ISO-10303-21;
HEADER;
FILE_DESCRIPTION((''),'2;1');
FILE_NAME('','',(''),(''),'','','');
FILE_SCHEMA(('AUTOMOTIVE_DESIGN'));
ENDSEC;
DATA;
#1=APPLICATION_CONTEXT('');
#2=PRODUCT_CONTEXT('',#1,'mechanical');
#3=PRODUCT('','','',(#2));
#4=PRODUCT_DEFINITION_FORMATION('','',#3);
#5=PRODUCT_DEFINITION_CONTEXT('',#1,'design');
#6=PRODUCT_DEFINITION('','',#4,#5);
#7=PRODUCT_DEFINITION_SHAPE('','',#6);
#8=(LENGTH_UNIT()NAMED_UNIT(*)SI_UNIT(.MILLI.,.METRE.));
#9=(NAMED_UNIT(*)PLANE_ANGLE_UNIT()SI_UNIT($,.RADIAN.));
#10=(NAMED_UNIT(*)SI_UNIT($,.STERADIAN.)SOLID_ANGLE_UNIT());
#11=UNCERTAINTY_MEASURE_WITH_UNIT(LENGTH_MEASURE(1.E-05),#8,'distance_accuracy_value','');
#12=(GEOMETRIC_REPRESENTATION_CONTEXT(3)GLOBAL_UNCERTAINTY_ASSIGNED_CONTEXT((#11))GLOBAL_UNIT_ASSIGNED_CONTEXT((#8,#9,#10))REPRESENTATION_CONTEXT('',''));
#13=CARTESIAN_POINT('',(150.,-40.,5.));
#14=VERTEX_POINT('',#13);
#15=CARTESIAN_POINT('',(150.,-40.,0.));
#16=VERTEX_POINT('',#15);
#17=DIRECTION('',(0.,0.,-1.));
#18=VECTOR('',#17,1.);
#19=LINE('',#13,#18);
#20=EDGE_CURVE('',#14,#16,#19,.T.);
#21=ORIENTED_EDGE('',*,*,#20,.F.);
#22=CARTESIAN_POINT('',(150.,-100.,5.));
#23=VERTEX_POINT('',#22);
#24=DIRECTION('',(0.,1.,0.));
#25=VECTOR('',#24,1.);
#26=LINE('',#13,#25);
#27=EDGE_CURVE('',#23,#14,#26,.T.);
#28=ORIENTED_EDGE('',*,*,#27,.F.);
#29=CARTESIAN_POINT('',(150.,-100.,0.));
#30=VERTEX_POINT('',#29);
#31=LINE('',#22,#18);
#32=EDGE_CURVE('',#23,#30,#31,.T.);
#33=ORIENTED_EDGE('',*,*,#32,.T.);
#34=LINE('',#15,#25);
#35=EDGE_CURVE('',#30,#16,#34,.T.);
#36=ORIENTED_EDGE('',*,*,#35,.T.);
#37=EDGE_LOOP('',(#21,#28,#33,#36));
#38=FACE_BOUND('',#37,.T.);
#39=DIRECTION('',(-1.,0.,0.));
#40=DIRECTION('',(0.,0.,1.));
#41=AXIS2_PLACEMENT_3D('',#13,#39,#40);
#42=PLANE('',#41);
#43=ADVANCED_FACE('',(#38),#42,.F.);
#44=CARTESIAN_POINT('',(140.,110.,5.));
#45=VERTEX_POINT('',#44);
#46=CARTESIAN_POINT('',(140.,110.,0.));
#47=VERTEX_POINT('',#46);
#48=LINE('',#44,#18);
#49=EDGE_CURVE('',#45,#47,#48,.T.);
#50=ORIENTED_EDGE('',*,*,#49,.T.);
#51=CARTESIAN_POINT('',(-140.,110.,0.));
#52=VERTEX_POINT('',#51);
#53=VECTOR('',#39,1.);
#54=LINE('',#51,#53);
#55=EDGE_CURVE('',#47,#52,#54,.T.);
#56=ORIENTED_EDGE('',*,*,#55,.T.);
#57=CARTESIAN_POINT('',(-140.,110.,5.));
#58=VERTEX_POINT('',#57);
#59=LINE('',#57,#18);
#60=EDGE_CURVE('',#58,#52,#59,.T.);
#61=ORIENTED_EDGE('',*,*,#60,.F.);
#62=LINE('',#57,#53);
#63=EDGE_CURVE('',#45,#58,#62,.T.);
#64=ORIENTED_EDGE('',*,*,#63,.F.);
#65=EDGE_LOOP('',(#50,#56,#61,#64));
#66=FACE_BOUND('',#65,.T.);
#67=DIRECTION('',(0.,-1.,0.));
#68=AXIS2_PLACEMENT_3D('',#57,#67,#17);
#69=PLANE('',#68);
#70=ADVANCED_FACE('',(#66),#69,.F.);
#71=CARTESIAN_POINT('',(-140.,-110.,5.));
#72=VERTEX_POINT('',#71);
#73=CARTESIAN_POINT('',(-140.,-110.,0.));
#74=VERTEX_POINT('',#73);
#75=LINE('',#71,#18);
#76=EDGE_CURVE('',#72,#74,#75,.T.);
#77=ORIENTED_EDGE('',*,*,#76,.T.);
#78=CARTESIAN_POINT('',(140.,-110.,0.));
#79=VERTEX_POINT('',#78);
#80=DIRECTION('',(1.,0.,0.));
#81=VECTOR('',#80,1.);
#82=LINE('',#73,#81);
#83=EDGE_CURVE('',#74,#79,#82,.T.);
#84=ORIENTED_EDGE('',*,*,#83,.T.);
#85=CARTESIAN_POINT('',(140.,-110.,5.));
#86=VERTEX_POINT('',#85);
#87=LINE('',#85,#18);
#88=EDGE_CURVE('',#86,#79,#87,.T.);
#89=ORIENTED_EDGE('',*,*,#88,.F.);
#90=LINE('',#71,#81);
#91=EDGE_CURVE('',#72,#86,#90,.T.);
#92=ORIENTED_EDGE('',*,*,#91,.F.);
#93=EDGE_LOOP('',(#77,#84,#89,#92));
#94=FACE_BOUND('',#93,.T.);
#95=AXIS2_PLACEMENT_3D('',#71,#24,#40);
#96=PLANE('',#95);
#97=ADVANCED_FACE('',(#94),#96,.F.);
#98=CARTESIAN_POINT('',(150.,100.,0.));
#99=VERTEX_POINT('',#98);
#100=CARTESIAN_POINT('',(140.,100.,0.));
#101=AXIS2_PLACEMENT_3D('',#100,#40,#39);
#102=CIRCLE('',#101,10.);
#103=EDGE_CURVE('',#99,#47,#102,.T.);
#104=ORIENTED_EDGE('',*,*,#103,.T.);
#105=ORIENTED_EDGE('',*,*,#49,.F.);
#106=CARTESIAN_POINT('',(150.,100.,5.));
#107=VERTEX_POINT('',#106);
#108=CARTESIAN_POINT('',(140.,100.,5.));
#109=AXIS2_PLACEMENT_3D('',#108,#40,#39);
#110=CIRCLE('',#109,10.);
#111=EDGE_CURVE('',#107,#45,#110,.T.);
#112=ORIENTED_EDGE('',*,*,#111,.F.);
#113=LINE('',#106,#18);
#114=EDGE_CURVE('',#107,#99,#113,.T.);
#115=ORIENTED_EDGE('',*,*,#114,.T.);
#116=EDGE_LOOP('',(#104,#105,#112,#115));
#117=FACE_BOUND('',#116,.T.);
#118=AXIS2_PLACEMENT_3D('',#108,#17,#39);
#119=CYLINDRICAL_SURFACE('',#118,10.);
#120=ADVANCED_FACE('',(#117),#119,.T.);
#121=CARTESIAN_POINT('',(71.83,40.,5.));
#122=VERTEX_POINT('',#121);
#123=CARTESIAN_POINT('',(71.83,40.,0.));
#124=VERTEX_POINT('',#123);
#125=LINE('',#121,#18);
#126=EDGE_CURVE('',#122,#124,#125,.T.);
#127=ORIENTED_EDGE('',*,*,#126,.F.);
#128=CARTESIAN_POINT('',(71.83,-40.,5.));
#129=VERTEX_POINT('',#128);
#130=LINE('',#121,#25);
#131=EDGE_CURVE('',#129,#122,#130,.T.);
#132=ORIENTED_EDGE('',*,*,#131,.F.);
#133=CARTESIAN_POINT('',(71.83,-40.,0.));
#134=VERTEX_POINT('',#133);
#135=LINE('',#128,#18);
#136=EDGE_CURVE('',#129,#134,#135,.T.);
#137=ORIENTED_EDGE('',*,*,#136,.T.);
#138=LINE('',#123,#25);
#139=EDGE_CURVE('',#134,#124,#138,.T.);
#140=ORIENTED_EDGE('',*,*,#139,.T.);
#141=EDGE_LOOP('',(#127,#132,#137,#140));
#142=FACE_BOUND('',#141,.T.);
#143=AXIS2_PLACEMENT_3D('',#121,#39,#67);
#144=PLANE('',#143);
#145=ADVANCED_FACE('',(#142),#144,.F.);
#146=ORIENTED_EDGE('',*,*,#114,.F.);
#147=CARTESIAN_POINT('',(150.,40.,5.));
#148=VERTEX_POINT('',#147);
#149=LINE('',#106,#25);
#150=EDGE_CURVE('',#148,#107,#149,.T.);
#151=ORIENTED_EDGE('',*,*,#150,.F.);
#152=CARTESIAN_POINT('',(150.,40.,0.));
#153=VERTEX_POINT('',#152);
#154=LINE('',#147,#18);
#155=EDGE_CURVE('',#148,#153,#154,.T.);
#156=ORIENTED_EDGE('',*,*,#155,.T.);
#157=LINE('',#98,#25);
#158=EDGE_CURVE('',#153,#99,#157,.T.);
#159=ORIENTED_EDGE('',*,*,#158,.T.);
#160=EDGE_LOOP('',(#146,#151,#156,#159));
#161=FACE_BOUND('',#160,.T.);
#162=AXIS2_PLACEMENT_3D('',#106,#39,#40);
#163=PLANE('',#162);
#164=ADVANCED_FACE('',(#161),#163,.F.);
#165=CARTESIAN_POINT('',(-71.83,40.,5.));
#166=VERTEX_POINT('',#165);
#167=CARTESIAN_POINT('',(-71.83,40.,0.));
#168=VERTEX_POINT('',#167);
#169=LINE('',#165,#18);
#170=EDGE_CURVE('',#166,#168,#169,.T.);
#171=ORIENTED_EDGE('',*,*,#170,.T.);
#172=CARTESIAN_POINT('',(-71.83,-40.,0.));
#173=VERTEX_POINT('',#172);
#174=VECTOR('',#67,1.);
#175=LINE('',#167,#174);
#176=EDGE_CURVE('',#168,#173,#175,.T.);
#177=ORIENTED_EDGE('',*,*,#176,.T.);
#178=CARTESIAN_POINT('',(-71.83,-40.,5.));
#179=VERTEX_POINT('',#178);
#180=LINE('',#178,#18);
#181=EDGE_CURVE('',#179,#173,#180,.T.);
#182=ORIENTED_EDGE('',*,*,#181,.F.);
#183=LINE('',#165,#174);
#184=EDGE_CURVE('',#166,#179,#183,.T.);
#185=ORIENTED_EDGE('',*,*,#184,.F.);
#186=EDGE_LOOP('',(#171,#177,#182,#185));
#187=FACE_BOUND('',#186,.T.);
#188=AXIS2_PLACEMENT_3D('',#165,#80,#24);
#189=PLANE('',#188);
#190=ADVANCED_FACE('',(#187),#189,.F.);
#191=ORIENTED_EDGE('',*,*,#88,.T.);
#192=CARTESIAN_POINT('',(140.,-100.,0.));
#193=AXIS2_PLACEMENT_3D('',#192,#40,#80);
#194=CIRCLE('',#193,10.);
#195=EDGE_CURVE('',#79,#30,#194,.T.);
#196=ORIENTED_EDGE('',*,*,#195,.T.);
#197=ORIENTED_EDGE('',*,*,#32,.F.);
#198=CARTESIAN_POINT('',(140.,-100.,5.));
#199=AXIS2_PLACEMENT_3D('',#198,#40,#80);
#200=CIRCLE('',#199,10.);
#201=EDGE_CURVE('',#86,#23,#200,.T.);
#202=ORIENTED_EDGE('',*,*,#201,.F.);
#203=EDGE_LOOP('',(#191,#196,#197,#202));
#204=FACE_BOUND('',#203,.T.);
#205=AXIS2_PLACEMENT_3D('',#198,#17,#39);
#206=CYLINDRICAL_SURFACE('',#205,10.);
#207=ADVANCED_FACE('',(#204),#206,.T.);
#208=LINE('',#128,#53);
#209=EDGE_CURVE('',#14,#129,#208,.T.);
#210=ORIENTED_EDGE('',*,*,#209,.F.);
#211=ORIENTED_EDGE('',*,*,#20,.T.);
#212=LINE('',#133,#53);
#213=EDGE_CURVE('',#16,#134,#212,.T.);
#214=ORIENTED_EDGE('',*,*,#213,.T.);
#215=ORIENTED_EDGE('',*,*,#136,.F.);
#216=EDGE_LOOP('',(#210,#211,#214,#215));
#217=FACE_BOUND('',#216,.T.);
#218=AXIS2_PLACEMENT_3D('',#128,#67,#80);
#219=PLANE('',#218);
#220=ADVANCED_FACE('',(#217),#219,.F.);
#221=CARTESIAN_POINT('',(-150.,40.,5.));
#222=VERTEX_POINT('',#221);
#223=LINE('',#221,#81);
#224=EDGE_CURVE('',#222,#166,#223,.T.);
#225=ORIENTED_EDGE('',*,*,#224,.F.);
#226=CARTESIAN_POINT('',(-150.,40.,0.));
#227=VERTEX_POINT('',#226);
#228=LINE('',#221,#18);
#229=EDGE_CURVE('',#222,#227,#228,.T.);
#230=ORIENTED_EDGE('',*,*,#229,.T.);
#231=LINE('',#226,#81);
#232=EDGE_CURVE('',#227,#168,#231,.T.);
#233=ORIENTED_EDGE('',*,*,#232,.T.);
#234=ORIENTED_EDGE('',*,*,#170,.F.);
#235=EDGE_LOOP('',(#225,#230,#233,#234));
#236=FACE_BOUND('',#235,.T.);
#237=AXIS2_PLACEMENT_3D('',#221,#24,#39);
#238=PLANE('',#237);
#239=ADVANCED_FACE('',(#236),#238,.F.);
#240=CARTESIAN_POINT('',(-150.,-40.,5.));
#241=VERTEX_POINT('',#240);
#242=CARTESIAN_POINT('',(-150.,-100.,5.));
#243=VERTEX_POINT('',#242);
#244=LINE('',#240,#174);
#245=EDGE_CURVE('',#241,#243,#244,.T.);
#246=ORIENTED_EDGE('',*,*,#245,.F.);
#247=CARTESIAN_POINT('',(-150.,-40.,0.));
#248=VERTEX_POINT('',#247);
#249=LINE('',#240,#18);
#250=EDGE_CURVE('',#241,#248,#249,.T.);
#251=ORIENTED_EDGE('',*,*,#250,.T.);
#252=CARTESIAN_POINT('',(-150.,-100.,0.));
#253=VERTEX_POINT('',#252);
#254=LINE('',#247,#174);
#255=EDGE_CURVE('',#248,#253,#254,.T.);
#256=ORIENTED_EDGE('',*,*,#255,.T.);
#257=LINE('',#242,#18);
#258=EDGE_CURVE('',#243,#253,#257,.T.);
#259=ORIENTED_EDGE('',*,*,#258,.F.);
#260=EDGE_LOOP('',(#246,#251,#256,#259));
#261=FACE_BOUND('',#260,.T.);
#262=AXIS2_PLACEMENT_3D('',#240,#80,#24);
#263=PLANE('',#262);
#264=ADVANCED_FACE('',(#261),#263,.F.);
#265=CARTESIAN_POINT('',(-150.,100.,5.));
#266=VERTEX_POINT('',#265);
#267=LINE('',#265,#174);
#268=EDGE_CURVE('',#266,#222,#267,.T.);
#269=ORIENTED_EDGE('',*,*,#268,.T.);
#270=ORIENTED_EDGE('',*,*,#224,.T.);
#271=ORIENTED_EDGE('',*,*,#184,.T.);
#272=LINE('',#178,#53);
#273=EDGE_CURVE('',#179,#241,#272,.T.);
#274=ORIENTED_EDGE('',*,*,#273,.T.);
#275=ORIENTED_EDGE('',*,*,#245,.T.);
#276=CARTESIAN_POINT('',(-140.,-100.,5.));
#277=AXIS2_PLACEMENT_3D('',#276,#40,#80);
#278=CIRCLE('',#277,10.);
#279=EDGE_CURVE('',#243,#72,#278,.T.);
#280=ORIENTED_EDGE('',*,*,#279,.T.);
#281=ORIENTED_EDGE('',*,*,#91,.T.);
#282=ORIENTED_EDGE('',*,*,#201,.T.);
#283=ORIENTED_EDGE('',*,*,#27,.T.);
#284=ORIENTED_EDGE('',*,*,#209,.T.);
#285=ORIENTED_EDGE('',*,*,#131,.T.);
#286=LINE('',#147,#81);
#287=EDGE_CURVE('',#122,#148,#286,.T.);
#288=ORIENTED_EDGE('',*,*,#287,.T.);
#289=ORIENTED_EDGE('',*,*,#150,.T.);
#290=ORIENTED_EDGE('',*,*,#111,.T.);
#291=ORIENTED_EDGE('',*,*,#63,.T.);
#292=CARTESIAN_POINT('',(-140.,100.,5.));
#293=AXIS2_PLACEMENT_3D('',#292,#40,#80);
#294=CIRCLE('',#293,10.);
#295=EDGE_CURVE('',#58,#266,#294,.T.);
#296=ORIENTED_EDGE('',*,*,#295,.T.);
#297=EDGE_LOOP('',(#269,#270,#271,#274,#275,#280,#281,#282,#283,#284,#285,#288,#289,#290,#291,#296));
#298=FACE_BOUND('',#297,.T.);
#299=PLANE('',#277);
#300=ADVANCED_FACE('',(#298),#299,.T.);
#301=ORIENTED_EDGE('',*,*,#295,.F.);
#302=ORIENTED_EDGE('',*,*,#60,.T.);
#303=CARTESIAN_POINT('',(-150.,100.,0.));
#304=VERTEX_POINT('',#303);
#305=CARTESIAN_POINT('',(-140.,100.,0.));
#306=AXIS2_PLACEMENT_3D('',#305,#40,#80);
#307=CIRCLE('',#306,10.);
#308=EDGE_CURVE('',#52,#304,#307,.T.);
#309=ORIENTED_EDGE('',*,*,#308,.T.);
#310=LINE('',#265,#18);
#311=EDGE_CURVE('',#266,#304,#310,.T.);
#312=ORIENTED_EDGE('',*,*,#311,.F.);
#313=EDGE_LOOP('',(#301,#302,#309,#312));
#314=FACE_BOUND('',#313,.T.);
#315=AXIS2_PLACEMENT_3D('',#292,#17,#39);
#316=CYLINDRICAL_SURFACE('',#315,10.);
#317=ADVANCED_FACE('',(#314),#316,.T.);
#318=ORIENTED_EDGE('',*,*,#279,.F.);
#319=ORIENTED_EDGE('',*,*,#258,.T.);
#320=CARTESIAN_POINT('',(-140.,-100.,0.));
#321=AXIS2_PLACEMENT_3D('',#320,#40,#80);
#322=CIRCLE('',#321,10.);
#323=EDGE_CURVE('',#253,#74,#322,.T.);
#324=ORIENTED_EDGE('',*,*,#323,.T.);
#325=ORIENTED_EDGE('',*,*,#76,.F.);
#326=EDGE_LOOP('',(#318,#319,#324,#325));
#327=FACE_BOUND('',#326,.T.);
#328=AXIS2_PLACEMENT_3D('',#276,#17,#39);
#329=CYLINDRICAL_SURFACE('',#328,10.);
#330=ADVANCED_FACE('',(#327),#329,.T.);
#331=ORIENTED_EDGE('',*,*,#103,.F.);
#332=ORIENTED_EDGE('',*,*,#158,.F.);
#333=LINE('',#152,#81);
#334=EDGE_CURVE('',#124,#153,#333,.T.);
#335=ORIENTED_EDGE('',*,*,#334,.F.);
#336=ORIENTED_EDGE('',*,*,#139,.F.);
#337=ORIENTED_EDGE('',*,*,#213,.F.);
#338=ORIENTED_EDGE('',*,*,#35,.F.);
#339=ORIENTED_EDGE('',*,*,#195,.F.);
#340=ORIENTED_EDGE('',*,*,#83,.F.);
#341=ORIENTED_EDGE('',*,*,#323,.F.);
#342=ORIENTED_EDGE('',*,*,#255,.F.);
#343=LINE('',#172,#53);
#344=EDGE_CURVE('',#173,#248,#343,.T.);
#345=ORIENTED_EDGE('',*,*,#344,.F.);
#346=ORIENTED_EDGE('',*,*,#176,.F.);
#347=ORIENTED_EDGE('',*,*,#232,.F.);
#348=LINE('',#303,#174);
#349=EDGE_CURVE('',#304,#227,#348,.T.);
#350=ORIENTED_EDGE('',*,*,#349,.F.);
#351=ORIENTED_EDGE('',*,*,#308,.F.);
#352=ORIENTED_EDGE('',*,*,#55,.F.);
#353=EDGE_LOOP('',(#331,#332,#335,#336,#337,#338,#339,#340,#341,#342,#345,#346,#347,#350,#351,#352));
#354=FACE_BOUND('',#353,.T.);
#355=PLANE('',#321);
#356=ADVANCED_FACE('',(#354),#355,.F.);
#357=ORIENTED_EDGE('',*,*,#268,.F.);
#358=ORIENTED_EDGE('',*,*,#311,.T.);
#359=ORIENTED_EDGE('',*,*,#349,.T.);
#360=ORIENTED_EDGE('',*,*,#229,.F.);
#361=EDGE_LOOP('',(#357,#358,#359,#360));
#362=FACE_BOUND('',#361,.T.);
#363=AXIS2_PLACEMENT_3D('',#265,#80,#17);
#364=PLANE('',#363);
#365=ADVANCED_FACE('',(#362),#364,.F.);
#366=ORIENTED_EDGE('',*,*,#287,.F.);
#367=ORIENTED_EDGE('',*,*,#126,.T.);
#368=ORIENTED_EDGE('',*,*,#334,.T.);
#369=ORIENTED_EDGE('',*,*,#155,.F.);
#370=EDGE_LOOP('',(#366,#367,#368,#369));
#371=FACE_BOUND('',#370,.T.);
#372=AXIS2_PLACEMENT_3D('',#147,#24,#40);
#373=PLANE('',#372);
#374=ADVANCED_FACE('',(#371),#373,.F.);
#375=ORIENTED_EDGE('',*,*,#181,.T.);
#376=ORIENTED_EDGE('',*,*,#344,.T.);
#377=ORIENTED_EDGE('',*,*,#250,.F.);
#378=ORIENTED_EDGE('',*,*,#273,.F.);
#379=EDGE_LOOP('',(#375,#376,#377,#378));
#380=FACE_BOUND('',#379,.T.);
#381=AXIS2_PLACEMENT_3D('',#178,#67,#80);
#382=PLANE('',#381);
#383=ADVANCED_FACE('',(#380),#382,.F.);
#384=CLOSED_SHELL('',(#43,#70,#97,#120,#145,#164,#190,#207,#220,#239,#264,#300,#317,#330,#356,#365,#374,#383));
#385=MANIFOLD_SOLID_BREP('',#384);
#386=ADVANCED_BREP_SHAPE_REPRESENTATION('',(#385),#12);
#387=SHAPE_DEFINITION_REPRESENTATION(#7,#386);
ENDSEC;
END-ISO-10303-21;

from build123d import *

# Parameters (mm, degrees)
BOSS_EXTRUDE1_DEPTH = 5


with BuildPart() as part:
    # Sketch1 → Boss-Extrude1 (new body)
    with BuildSketch(Plane.XY):
        with BuildLine():
            Line((-150, 40), (-71.83, 40))
            Line((-71.83, 40), (-71.83, -40))
            Line((-71.83, -40), (-150, -40))
            Line((-150, -40), (-150, -100))
            ThreePointArc((-150, -100), (-147.071067812, -107.071067812), (-140, -110))
            Line((-140, -110), (140, -110))
            ThreePointArc((140, -110), (147.071067812, -107.071067812), (150, -100))
            Line((150, -100), (150, -40))
            Line((150, -40), (71.83, -40))
            Line((71.83, -40), (71.83, 40))
            Line((71.83, 40), (150, 40))
            Line((150, 40), (150, 100))
            ThreePointArc((150, 100), (147.071067812, 107.071067812), (140, 110))
            Line((140, 110), (-140, 110))
            ThreePointArc((-140, 110), (-147.071067812, 107.071067812), (-150, 100))
            Line((-150, 100), (-150, 40))
        make_face()
    extrude(amount=BOSS_EXTRUDE1_DEPTH)


solid = part.part
